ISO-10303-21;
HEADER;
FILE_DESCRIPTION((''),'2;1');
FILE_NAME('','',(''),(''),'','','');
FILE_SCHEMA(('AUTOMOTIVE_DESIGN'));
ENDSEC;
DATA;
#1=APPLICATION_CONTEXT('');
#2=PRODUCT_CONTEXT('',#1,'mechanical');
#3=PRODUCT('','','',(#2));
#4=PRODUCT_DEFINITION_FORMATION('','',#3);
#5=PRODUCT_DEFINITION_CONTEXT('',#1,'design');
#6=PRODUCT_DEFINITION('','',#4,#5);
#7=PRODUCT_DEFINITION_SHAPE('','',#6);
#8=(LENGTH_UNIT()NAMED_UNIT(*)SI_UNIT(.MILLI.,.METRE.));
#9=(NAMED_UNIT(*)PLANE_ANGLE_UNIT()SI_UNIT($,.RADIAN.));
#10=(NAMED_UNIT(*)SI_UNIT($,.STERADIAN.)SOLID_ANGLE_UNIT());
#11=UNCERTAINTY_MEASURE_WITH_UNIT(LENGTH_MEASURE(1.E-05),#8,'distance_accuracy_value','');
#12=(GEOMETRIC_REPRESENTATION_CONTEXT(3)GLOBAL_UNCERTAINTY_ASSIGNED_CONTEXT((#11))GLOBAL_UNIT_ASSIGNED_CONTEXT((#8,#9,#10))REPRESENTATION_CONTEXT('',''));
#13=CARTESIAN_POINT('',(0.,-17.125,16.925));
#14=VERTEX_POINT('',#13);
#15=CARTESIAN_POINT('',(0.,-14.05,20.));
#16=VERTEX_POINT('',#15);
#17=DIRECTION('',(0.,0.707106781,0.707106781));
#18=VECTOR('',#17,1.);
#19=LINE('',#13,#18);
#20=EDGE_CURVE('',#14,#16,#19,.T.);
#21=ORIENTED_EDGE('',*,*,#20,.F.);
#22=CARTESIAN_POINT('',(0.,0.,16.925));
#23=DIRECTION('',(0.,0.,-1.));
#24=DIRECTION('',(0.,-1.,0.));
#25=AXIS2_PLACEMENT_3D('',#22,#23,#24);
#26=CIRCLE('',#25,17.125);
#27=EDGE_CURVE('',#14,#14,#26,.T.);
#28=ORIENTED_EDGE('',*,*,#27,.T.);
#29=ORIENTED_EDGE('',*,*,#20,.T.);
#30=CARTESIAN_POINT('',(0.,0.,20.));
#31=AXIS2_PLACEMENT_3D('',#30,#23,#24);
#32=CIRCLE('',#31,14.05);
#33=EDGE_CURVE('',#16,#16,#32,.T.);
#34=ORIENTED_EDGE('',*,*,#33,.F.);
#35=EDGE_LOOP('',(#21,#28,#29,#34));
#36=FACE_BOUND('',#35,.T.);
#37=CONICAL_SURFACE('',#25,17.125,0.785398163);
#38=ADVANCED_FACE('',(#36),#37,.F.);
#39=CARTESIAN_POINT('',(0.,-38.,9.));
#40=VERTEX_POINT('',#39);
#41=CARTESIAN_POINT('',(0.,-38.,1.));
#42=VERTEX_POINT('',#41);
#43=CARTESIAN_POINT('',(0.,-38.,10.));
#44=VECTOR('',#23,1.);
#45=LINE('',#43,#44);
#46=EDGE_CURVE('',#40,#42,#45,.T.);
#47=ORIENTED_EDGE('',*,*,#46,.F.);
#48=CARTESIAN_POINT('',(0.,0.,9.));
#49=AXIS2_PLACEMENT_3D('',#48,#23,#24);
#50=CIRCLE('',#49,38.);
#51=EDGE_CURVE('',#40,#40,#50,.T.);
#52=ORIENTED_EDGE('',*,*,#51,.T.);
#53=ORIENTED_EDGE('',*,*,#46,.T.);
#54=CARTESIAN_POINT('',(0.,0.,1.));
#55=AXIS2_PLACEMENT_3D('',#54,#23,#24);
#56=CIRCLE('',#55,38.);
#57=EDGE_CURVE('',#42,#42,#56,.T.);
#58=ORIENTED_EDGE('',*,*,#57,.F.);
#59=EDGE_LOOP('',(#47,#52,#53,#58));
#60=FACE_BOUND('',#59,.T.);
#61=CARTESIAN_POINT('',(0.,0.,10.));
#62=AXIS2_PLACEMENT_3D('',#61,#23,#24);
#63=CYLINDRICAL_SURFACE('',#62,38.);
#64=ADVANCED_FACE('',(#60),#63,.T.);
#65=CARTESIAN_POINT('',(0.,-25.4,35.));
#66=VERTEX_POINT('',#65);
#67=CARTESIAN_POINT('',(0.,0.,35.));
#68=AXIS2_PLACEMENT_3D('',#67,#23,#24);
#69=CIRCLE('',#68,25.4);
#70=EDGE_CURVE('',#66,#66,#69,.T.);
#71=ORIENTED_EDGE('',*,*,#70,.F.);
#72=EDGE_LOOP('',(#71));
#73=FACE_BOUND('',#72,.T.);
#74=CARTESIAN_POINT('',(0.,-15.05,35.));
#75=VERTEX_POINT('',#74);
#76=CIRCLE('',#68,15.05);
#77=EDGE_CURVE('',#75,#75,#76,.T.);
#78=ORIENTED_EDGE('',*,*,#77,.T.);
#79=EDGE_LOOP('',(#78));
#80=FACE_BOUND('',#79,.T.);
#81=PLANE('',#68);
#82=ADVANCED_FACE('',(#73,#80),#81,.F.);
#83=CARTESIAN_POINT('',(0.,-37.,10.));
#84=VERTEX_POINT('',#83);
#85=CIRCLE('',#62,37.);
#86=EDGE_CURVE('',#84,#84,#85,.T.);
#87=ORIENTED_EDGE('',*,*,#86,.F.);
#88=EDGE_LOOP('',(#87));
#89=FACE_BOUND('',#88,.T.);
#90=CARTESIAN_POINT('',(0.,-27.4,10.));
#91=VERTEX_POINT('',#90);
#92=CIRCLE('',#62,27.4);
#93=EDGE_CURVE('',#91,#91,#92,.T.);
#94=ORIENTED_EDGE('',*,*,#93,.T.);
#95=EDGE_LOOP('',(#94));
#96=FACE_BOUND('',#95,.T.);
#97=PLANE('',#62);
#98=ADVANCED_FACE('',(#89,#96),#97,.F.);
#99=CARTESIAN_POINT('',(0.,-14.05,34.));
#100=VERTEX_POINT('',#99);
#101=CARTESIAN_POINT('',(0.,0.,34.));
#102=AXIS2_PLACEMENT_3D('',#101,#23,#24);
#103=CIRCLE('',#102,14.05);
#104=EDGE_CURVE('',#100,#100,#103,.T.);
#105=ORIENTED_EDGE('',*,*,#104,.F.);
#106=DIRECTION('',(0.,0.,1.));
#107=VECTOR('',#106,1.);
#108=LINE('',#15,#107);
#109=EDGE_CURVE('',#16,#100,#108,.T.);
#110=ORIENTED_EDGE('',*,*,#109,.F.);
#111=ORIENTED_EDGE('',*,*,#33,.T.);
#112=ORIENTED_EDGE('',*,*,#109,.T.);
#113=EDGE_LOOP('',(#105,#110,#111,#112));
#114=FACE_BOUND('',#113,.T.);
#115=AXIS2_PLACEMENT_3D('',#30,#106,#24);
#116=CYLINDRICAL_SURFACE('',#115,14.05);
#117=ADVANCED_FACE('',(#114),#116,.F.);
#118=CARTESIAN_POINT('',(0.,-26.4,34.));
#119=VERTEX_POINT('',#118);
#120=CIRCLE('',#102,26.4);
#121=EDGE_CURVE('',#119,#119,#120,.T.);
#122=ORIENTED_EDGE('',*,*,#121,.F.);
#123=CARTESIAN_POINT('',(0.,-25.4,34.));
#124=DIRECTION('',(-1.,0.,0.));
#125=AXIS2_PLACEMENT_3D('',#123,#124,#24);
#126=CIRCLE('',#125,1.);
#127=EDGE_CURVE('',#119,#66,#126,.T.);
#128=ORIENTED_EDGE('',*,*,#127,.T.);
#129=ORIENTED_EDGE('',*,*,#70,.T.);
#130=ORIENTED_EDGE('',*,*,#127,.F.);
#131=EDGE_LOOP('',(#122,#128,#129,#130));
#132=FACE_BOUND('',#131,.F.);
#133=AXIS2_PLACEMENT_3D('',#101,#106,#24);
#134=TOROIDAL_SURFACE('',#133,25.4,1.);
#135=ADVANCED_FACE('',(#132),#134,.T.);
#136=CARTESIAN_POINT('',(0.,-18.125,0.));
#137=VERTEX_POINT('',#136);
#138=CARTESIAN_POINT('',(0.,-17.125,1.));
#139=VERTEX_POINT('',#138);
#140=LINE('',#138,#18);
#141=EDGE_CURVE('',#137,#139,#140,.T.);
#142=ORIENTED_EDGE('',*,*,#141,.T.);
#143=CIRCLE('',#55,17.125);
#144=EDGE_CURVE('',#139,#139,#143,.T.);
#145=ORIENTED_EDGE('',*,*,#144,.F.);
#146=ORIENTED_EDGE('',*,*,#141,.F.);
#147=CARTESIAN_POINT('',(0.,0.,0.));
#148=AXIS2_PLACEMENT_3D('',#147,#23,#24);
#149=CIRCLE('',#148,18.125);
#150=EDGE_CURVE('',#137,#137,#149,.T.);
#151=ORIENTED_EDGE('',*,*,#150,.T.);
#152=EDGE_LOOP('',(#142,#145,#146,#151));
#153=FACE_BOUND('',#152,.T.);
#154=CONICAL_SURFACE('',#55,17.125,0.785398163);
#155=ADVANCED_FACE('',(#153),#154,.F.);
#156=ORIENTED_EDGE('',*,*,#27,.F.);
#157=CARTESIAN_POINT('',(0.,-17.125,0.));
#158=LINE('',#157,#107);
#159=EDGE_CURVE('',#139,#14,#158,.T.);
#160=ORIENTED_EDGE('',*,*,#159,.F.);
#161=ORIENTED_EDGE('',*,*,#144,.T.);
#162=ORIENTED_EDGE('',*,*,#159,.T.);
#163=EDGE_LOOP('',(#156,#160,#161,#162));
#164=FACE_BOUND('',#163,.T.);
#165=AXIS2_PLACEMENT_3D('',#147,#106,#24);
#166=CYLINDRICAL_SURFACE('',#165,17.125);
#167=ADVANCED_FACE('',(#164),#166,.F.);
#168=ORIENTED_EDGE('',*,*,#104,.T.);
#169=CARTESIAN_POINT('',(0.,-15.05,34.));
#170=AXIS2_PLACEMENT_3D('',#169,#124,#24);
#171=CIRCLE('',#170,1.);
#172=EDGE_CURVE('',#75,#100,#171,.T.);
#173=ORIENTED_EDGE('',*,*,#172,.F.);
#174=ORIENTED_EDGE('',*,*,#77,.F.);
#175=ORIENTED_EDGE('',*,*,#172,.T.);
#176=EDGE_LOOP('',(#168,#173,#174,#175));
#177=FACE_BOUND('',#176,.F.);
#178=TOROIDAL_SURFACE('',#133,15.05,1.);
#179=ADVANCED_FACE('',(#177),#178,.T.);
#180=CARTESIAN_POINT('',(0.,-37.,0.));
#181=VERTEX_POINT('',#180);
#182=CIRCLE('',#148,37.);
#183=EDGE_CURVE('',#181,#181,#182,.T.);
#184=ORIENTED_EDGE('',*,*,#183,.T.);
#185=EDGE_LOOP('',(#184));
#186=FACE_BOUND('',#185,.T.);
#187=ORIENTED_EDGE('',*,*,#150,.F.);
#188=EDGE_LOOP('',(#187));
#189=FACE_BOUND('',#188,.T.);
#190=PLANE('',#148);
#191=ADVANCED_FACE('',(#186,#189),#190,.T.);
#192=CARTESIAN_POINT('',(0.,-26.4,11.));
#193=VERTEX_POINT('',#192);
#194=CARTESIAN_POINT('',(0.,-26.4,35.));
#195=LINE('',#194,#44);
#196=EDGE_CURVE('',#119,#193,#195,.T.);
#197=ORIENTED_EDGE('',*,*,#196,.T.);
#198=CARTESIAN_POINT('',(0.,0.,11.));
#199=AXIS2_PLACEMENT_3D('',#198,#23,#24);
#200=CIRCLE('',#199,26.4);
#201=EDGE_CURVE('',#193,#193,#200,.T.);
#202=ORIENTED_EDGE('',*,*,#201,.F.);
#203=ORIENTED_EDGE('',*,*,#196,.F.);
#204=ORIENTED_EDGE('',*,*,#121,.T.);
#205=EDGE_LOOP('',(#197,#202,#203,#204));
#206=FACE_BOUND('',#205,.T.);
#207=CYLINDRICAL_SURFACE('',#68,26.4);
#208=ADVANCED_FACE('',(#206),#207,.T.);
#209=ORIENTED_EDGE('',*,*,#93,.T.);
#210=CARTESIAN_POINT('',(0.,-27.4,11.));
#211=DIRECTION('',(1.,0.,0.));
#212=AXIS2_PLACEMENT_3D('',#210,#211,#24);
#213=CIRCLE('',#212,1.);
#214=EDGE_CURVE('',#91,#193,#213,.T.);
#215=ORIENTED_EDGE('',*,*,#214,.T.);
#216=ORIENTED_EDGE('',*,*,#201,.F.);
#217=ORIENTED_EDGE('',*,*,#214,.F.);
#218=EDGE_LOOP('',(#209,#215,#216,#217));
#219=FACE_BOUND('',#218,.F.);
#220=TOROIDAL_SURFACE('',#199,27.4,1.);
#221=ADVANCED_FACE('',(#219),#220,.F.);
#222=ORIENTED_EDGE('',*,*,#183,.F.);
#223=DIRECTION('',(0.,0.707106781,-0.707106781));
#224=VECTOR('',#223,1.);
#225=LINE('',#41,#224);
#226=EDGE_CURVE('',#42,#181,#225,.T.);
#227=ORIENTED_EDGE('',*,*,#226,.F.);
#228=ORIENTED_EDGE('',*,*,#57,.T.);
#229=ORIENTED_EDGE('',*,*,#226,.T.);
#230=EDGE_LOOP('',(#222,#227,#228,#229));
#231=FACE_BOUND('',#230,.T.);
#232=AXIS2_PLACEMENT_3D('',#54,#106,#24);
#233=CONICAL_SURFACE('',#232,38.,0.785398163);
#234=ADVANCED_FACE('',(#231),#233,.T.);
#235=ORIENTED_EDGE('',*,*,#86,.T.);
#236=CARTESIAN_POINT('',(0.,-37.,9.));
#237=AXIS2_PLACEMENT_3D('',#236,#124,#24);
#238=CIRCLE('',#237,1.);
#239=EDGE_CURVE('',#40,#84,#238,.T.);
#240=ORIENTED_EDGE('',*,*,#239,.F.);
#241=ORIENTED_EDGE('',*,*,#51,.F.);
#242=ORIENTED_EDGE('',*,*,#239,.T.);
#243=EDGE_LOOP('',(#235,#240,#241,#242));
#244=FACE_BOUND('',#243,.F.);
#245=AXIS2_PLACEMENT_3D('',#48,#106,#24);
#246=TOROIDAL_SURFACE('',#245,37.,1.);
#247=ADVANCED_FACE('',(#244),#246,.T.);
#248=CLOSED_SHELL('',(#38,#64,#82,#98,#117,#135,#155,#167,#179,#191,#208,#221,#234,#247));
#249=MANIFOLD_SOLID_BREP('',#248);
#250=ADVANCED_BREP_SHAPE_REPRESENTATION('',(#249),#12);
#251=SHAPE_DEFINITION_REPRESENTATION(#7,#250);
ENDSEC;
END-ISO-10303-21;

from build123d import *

# Parameters (mm, degrees)
F2_SIZE = 1
F3_R    = 1


with BuildPart() as f1:
    # F0 (on Right) → F1 (revolve)
    with BuildSketch(Plane.YZ):
        Polygon((-38, 10), (-38, 0), (-17.125, 0), (-17.125, 16.925), (-14.05, 20), (-14.05, 35), (-26.4, 35), (-26.4, 10), align=None)
    revolve(axis=Axis((0, 0, 24.570201), (0, 0, -1)))

    # F2
    f2_edges = [f1.edges().sort_by_distance(p)[0] for p in [
        (0, 38, 0),
        (0, 17.125, 0),
    ]]
    chamfer(f2_edges, length=F2_SIZE)

    # F3
    f3_edges = [f1.edges().sort_by_distance(p)[0] for p in [
        (0, 14.05, 35),
        (0, 26.4, 35),
        (0, 38, 10),
        (0, 26.4, 10),
    ]]
    fillet(f3_edges, radius=F3_R)


solid = f1.part
